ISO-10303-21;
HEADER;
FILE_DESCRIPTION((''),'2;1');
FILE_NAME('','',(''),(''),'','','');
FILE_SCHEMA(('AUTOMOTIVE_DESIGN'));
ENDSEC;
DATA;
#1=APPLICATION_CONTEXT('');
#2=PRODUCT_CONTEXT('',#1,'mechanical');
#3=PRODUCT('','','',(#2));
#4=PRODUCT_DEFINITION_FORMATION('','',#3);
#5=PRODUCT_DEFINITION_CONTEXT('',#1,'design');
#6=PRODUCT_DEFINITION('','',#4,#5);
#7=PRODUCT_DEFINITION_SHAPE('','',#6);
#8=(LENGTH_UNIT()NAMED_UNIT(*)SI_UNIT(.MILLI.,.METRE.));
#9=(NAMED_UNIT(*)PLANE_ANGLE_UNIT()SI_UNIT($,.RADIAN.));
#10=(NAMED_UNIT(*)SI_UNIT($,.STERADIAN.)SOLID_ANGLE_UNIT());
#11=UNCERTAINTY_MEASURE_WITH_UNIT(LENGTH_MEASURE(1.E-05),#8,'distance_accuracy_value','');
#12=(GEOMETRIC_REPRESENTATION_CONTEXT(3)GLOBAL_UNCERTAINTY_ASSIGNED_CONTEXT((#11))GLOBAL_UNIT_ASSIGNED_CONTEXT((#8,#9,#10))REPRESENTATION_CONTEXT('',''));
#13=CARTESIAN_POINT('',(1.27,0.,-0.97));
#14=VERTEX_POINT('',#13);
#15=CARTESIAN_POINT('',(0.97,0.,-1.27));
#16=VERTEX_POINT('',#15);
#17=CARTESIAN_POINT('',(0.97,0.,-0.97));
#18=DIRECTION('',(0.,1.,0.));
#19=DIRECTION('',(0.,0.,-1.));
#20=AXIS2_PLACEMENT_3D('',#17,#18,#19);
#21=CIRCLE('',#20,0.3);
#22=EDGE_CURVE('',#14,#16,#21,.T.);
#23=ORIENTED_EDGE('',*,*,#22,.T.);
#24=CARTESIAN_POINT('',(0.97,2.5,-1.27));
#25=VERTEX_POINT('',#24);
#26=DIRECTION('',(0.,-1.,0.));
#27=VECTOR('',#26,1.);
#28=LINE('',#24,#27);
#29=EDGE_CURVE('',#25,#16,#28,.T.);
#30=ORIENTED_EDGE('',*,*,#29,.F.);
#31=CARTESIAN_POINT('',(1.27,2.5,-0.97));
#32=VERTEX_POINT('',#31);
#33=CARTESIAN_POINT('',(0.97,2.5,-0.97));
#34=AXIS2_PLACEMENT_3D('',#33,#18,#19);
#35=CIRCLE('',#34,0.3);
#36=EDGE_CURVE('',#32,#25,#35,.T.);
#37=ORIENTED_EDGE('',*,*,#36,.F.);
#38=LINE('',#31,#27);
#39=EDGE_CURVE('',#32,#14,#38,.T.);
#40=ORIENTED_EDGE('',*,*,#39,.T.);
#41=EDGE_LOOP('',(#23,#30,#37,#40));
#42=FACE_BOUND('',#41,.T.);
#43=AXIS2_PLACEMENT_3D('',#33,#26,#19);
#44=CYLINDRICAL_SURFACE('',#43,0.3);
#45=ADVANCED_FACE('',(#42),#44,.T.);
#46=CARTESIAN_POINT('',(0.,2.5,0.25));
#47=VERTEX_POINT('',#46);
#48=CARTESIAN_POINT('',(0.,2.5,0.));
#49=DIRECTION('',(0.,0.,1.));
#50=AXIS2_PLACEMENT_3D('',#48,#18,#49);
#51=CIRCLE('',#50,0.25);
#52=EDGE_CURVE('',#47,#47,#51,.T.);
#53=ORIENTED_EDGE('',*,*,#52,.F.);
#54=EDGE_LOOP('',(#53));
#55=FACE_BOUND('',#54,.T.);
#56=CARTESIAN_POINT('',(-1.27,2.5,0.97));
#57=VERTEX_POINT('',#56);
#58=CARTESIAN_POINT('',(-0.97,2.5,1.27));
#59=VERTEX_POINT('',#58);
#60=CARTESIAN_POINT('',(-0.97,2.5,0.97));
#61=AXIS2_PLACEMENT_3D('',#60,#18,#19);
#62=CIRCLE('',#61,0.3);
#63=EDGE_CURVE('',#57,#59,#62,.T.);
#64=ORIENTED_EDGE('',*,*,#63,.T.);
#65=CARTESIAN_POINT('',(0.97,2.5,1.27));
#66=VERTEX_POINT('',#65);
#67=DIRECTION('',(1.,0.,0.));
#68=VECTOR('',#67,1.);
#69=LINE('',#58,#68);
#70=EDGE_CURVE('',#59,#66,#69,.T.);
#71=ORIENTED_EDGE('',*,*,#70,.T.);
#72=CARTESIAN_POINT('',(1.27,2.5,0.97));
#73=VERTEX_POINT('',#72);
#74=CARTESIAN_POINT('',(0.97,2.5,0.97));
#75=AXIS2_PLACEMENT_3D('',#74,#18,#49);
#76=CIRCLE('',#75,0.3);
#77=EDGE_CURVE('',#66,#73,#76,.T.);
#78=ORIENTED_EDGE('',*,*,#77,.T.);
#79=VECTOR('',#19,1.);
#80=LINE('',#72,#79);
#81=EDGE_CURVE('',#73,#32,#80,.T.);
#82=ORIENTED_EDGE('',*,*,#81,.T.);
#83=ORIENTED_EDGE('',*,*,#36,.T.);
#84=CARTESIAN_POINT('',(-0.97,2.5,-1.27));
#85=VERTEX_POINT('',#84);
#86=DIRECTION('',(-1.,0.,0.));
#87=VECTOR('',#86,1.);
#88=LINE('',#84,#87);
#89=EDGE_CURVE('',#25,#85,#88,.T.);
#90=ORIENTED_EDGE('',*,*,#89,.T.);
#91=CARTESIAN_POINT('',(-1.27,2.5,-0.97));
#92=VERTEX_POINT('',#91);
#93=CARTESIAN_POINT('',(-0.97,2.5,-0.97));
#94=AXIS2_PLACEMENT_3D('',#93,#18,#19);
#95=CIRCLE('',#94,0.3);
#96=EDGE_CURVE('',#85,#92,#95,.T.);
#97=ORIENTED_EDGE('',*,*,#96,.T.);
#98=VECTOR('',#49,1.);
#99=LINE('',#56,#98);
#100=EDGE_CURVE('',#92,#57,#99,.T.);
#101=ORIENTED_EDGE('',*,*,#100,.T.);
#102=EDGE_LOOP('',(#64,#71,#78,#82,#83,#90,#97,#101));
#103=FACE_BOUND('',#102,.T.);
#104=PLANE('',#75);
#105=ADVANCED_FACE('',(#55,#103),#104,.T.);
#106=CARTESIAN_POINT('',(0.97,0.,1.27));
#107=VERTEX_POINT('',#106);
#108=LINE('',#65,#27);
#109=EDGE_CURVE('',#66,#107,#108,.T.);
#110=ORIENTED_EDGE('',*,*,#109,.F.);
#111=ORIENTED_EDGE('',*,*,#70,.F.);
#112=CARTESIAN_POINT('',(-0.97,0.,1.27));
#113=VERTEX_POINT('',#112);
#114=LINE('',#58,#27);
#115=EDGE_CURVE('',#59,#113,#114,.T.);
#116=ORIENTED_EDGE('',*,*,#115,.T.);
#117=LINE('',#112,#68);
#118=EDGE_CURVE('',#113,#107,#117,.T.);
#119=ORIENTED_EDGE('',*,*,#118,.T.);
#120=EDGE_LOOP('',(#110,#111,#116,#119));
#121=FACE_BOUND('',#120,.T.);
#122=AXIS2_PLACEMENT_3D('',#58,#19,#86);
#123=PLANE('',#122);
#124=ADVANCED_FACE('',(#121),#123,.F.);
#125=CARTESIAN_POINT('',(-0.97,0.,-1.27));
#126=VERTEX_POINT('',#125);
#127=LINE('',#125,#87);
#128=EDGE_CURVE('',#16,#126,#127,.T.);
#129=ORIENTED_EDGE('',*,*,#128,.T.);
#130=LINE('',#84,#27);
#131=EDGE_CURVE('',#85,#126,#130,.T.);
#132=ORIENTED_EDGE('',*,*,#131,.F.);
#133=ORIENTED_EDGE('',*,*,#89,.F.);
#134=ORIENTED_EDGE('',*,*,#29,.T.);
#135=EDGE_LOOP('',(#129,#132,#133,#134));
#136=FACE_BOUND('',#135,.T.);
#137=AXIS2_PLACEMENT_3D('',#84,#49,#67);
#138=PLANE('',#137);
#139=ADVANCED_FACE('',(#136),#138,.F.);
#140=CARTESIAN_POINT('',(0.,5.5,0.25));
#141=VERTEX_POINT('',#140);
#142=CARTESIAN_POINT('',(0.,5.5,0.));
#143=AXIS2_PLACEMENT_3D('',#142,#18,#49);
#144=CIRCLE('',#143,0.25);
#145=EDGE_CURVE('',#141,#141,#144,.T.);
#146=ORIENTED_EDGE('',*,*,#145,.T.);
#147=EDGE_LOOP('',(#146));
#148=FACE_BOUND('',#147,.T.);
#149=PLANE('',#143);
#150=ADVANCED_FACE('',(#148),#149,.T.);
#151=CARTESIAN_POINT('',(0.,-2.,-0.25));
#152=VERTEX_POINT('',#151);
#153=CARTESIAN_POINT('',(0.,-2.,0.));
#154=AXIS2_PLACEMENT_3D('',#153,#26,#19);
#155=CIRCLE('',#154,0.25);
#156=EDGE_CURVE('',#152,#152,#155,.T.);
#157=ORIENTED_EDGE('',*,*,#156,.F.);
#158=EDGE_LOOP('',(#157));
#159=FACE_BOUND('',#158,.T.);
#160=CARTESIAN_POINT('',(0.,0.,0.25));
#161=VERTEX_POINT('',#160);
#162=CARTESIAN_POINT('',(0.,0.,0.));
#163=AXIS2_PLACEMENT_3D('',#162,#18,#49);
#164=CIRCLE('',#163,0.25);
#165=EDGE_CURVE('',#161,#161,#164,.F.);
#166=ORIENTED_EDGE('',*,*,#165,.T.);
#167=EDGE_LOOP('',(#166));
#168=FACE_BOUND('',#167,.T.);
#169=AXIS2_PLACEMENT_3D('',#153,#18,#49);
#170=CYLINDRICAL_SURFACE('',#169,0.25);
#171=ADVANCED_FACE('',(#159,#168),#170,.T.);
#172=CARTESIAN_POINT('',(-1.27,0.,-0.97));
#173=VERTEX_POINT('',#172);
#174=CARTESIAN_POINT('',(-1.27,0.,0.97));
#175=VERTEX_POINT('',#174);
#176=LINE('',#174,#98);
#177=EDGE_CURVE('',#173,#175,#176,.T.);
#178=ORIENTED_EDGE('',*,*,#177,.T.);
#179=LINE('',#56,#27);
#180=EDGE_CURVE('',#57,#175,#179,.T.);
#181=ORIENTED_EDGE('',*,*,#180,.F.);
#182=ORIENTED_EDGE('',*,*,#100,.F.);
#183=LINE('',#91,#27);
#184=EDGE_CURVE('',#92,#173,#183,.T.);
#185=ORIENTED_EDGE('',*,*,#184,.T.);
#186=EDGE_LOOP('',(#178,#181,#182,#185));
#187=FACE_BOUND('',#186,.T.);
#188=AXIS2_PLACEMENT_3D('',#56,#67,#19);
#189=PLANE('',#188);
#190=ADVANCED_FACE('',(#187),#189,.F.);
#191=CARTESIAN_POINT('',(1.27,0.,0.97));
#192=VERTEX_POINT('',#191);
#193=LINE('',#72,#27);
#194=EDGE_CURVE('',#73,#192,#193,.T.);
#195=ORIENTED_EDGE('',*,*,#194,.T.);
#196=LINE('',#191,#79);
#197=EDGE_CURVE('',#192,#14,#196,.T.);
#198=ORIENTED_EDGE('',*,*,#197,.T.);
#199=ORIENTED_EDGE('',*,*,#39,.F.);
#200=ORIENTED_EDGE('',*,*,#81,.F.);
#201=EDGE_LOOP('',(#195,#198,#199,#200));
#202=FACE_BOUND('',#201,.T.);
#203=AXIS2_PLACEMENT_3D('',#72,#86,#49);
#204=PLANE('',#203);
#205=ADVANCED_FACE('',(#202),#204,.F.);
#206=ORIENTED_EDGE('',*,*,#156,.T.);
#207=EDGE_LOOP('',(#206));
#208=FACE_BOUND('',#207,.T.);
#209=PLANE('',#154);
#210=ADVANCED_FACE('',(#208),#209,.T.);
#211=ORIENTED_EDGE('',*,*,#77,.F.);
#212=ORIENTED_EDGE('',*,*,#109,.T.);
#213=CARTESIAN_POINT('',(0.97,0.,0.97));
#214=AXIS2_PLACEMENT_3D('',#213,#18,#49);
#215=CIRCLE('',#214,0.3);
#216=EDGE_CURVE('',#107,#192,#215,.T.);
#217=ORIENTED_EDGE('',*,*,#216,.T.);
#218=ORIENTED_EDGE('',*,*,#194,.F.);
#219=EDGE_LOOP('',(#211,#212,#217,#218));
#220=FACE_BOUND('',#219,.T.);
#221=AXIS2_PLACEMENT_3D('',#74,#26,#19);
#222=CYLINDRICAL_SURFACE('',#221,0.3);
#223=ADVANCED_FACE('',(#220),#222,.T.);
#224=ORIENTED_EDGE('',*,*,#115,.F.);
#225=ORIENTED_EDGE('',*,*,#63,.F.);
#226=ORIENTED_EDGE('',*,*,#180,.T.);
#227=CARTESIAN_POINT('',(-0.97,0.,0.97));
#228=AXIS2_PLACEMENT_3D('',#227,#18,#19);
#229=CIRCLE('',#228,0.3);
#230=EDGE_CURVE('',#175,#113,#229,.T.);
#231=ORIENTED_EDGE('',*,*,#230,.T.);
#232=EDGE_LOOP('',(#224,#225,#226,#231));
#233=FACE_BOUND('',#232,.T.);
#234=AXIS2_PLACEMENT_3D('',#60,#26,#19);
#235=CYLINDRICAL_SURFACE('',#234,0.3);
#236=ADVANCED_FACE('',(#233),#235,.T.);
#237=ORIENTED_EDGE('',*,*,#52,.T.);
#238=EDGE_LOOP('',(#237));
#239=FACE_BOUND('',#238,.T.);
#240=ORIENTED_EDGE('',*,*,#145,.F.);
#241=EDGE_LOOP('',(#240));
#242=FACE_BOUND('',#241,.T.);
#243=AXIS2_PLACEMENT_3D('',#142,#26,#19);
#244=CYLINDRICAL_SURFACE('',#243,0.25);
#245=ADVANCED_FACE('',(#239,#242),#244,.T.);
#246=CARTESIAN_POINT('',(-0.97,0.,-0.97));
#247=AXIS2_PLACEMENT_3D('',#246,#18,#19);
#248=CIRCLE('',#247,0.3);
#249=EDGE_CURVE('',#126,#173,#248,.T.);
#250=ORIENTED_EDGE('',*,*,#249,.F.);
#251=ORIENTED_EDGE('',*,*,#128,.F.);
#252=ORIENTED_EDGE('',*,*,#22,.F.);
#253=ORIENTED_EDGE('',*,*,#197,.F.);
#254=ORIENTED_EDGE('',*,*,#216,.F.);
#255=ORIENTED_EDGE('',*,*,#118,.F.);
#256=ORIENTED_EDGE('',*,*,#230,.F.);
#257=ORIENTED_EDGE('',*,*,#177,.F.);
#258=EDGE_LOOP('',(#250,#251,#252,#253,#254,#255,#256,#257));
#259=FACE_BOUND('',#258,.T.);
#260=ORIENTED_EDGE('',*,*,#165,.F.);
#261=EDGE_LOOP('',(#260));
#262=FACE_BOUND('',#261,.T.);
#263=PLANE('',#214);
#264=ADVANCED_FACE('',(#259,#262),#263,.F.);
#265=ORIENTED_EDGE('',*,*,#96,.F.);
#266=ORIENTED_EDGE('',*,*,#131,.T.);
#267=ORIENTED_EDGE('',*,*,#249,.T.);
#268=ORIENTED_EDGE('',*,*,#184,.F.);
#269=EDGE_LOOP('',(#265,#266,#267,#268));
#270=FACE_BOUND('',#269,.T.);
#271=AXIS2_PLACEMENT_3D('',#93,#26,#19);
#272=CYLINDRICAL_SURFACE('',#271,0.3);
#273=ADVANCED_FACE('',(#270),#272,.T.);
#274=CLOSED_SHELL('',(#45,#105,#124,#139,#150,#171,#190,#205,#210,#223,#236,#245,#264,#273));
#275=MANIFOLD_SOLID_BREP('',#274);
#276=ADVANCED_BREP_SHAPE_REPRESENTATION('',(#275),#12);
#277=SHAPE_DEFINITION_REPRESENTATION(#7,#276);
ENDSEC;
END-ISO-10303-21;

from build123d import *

# Parameters (mm, degrees)
BOSS_EXTRUDE1_DEPTH = 2.5
SKETCH2_R           = 0.25
BOSS_EXTRUDE2_DEPTH = 3
BOSS_EXTRUDE3_START = 2
SKETCH3_R           = 0.25
BOSS_EXTRUDE3_DEPTH = 2


with BuildPart() as part:
    # Sketch1 → Boss-Extrude1 (new body)
    with BuildSketch(Plane(origin=(0, 0, 0), x_dir=(1, 0, 0), z_dir=(0, 1, 0))):
        with BuildLine():
            Line((-0.97, -1.27), (0.97, -1.27))
            ThreePointArc((0.97, -1.27), (1.182132034, -1.182132034), (1.27, -0.97))
            Line((1.27, -0.97), (1.27, 0.97))
            ThreePointArc((1.27, 0.97), (1.182132034, 1.182132034), (0.97, 1.27))
            Line((0.97, 1.27), (-0.97, 1.27))
            ThreePointArc((-0.97, 1.27), (-1.182132034, 1.182132034), (-1.27, 0.97))
            Line((-1.27, 0.97), (-1.27, -0.97))
            ThreePointArc((-1.27, -0.97), (-1.182132034, -1.182132034), (-0.97, -1.27))
        make_face()
    extrude(amount=BOSS_EXTRUDE1_DEPTH)

    # Sketch2 → Boss-Extrude2 (add)
    with BuildSketch(Plane(origin=(0, 2.5, 0), x_dir=(1, 0, 0), z_dir=(0, 1, 0))):
        with Locations(Location((0, 0, 0), (0, 0, 270))):
            Circle(SKETCH2_R)
    extrude(amount=BOSS_EXTRUDE2_DEPTH)

    # Sketch3 → Boss-Extrude3 (add)
    with BuildSketch(Plane.XZ.offset(BOSS_EXTRUDE3_START)):
        with Locations(Location((0, 0, 0), (0, 0, 90))):
            Circle(SKETCH3_R)
    extrude(amount=-BOSS_EXTRUDE3_DEPTH)


solid = part.part
